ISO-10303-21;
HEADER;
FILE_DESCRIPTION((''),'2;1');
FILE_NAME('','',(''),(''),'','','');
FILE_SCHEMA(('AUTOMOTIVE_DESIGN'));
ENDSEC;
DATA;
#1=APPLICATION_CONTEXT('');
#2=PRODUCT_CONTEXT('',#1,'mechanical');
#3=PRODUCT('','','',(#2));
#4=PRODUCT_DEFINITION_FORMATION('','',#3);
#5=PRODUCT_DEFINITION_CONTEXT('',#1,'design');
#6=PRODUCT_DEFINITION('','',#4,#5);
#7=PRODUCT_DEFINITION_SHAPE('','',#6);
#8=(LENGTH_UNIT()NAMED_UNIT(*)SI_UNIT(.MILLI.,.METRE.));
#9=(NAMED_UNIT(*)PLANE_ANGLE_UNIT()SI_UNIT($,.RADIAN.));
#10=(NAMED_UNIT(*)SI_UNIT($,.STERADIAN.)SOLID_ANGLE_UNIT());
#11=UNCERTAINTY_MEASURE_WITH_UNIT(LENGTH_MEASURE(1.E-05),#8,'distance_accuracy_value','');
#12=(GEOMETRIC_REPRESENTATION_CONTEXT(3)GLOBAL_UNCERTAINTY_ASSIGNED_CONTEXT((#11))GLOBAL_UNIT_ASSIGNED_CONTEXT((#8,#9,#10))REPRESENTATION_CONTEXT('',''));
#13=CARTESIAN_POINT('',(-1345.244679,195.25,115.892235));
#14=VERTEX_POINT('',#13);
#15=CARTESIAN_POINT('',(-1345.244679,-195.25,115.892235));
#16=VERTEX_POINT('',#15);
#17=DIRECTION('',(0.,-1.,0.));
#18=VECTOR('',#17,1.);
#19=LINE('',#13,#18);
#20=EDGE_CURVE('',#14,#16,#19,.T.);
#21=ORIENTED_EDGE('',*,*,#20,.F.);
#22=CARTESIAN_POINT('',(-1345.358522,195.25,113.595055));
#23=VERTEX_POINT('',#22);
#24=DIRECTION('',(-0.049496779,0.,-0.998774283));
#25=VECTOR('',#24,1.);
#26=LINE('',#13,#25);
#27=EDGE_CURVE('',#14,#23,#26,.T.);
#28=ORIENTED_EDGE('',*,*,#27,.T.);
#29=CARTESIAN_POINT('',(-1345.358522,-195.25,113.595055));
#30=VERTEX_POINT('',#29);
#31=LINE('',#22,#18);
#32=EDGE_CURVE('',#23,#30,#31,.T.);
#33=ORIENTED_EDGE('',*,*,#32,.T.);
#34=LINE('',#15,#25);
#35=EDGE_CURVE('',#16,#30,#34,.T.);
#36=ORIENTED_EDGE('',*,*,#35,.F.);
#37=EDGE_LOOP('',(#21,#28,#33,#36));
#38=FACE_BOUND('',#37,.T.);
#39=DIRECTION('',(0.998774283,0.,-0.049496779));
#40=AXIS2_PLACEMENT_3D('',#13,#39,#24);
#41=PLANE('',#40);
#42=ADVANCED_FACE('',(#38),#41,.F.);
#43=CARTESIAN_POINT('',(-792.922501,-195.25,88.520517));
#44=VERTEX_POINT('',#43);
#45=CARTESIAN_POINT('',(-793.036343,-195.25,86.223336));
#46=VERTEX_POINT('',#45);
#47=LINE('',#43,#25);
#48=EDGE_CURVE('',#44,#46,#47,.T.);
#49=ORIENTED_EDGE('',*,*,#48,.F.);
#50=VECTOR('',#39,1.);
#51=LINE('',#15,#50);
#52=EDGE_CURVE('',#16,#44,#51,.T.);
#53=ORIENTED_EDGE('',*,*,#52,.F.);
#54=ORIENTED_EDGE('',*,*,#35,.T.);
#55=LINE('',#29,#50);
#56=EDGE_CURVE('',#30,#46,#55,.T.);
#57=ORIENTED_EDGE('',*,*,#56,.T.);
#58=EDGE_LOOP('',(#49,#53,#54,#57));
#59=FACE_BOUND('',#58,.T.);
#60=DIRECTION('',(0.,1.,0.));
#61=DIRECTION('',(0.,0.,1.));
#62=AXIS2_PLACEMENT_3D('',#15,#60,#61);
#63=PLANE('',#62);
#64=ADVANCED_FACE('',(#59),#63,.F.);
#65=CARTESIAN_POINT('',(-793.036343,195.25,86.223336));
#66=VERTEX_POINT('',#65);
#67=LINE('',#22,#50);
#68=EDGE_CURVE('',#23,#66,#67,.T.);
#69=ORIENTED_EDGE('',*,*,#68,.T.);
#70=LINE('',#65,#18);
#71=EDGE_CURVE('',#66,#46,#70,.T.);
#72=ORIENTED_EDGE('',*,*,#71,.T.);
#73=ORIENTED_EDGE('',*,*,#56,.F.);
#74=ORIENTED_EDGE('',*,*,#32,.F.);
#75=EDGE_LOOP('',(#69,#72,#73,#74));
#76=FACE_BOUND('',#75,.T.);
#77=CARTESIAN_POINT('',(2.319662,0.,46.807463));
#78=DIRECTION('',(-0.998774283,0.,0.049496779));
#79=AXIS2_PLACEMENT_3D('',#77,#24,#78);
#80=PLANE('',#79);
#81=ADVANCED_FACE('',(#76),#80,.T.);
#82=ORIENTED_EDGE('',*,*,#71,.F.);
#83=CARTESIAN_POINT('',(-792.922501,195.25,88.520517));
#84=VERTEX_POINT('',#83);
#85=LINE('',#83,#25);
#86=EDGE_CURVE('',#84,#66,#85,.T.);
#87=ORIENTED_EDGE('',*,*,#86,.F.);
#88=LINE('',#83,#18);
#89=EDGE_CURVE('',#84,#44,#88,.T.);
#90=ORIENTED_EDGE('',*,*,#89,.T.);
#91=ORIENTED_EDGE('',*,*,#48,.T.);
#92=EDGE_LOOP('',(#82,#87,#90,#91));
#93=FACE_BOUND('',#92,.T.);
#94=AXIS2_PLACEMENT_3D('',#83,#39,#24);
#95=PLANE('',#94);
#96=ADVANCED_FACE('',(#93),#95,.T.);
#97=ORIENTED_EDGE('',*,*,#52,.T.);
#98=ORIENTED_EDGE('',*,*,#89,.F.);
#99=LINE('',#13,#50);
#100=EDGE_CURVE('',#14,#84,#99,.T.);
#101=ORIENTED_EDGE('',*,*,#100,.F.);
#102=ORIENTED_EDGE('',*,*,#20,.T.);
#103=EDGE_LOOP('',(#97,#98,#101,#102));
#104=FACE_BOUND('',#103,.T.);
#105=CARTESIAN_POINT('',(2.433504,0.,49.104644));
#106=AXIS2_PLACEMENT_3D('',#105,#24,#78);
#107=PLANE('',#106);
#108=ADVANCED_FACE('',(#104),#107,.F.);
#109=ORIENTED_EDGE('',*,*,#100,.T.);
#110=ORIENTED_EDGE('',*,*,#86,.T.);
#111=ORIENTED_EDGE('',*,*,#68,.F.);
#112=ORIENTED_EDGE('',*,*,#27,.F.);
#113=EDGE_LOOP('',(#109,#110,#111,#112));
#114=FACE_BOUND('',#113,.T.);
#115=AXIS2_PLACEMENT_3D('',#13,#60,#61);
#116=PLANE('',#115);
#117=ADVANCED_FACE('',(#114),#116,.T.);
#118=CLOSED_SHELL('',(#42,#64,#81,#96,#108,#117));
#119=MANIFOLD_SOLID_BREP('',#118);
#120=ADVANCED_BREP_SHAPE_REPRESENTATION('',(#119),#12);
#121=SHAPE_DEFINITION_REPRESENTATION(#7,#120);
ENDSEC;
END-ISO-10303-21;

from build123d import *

# Parameters (mm, degrees)
SZKIC3_W                    = 553
SZKIC3_H                    = 390.5
DODANIE_WYCI_GNI_CIE1_DEPTH = 2.3


with BuildPart() as part:
    # Szkic3 → Dodanie-wyciągnięcie1 (new body)
    with BuildSketch(Plane(origin=(2.319661894, 0, 46.807463212), x_dir=(0.9987742832613944, 0, -0.049496778639502775), z_dir=(0.049496778639502775, 0, 0.9987742832613944))):
        with Locations((-1072.832082892, 0)):
            Rectangle(SZKIC3_W, SZKIC3_H)
    extrude(amount=DODANIE_WYCI_GNI_CIE1_DEPTH)


solid = part.part
